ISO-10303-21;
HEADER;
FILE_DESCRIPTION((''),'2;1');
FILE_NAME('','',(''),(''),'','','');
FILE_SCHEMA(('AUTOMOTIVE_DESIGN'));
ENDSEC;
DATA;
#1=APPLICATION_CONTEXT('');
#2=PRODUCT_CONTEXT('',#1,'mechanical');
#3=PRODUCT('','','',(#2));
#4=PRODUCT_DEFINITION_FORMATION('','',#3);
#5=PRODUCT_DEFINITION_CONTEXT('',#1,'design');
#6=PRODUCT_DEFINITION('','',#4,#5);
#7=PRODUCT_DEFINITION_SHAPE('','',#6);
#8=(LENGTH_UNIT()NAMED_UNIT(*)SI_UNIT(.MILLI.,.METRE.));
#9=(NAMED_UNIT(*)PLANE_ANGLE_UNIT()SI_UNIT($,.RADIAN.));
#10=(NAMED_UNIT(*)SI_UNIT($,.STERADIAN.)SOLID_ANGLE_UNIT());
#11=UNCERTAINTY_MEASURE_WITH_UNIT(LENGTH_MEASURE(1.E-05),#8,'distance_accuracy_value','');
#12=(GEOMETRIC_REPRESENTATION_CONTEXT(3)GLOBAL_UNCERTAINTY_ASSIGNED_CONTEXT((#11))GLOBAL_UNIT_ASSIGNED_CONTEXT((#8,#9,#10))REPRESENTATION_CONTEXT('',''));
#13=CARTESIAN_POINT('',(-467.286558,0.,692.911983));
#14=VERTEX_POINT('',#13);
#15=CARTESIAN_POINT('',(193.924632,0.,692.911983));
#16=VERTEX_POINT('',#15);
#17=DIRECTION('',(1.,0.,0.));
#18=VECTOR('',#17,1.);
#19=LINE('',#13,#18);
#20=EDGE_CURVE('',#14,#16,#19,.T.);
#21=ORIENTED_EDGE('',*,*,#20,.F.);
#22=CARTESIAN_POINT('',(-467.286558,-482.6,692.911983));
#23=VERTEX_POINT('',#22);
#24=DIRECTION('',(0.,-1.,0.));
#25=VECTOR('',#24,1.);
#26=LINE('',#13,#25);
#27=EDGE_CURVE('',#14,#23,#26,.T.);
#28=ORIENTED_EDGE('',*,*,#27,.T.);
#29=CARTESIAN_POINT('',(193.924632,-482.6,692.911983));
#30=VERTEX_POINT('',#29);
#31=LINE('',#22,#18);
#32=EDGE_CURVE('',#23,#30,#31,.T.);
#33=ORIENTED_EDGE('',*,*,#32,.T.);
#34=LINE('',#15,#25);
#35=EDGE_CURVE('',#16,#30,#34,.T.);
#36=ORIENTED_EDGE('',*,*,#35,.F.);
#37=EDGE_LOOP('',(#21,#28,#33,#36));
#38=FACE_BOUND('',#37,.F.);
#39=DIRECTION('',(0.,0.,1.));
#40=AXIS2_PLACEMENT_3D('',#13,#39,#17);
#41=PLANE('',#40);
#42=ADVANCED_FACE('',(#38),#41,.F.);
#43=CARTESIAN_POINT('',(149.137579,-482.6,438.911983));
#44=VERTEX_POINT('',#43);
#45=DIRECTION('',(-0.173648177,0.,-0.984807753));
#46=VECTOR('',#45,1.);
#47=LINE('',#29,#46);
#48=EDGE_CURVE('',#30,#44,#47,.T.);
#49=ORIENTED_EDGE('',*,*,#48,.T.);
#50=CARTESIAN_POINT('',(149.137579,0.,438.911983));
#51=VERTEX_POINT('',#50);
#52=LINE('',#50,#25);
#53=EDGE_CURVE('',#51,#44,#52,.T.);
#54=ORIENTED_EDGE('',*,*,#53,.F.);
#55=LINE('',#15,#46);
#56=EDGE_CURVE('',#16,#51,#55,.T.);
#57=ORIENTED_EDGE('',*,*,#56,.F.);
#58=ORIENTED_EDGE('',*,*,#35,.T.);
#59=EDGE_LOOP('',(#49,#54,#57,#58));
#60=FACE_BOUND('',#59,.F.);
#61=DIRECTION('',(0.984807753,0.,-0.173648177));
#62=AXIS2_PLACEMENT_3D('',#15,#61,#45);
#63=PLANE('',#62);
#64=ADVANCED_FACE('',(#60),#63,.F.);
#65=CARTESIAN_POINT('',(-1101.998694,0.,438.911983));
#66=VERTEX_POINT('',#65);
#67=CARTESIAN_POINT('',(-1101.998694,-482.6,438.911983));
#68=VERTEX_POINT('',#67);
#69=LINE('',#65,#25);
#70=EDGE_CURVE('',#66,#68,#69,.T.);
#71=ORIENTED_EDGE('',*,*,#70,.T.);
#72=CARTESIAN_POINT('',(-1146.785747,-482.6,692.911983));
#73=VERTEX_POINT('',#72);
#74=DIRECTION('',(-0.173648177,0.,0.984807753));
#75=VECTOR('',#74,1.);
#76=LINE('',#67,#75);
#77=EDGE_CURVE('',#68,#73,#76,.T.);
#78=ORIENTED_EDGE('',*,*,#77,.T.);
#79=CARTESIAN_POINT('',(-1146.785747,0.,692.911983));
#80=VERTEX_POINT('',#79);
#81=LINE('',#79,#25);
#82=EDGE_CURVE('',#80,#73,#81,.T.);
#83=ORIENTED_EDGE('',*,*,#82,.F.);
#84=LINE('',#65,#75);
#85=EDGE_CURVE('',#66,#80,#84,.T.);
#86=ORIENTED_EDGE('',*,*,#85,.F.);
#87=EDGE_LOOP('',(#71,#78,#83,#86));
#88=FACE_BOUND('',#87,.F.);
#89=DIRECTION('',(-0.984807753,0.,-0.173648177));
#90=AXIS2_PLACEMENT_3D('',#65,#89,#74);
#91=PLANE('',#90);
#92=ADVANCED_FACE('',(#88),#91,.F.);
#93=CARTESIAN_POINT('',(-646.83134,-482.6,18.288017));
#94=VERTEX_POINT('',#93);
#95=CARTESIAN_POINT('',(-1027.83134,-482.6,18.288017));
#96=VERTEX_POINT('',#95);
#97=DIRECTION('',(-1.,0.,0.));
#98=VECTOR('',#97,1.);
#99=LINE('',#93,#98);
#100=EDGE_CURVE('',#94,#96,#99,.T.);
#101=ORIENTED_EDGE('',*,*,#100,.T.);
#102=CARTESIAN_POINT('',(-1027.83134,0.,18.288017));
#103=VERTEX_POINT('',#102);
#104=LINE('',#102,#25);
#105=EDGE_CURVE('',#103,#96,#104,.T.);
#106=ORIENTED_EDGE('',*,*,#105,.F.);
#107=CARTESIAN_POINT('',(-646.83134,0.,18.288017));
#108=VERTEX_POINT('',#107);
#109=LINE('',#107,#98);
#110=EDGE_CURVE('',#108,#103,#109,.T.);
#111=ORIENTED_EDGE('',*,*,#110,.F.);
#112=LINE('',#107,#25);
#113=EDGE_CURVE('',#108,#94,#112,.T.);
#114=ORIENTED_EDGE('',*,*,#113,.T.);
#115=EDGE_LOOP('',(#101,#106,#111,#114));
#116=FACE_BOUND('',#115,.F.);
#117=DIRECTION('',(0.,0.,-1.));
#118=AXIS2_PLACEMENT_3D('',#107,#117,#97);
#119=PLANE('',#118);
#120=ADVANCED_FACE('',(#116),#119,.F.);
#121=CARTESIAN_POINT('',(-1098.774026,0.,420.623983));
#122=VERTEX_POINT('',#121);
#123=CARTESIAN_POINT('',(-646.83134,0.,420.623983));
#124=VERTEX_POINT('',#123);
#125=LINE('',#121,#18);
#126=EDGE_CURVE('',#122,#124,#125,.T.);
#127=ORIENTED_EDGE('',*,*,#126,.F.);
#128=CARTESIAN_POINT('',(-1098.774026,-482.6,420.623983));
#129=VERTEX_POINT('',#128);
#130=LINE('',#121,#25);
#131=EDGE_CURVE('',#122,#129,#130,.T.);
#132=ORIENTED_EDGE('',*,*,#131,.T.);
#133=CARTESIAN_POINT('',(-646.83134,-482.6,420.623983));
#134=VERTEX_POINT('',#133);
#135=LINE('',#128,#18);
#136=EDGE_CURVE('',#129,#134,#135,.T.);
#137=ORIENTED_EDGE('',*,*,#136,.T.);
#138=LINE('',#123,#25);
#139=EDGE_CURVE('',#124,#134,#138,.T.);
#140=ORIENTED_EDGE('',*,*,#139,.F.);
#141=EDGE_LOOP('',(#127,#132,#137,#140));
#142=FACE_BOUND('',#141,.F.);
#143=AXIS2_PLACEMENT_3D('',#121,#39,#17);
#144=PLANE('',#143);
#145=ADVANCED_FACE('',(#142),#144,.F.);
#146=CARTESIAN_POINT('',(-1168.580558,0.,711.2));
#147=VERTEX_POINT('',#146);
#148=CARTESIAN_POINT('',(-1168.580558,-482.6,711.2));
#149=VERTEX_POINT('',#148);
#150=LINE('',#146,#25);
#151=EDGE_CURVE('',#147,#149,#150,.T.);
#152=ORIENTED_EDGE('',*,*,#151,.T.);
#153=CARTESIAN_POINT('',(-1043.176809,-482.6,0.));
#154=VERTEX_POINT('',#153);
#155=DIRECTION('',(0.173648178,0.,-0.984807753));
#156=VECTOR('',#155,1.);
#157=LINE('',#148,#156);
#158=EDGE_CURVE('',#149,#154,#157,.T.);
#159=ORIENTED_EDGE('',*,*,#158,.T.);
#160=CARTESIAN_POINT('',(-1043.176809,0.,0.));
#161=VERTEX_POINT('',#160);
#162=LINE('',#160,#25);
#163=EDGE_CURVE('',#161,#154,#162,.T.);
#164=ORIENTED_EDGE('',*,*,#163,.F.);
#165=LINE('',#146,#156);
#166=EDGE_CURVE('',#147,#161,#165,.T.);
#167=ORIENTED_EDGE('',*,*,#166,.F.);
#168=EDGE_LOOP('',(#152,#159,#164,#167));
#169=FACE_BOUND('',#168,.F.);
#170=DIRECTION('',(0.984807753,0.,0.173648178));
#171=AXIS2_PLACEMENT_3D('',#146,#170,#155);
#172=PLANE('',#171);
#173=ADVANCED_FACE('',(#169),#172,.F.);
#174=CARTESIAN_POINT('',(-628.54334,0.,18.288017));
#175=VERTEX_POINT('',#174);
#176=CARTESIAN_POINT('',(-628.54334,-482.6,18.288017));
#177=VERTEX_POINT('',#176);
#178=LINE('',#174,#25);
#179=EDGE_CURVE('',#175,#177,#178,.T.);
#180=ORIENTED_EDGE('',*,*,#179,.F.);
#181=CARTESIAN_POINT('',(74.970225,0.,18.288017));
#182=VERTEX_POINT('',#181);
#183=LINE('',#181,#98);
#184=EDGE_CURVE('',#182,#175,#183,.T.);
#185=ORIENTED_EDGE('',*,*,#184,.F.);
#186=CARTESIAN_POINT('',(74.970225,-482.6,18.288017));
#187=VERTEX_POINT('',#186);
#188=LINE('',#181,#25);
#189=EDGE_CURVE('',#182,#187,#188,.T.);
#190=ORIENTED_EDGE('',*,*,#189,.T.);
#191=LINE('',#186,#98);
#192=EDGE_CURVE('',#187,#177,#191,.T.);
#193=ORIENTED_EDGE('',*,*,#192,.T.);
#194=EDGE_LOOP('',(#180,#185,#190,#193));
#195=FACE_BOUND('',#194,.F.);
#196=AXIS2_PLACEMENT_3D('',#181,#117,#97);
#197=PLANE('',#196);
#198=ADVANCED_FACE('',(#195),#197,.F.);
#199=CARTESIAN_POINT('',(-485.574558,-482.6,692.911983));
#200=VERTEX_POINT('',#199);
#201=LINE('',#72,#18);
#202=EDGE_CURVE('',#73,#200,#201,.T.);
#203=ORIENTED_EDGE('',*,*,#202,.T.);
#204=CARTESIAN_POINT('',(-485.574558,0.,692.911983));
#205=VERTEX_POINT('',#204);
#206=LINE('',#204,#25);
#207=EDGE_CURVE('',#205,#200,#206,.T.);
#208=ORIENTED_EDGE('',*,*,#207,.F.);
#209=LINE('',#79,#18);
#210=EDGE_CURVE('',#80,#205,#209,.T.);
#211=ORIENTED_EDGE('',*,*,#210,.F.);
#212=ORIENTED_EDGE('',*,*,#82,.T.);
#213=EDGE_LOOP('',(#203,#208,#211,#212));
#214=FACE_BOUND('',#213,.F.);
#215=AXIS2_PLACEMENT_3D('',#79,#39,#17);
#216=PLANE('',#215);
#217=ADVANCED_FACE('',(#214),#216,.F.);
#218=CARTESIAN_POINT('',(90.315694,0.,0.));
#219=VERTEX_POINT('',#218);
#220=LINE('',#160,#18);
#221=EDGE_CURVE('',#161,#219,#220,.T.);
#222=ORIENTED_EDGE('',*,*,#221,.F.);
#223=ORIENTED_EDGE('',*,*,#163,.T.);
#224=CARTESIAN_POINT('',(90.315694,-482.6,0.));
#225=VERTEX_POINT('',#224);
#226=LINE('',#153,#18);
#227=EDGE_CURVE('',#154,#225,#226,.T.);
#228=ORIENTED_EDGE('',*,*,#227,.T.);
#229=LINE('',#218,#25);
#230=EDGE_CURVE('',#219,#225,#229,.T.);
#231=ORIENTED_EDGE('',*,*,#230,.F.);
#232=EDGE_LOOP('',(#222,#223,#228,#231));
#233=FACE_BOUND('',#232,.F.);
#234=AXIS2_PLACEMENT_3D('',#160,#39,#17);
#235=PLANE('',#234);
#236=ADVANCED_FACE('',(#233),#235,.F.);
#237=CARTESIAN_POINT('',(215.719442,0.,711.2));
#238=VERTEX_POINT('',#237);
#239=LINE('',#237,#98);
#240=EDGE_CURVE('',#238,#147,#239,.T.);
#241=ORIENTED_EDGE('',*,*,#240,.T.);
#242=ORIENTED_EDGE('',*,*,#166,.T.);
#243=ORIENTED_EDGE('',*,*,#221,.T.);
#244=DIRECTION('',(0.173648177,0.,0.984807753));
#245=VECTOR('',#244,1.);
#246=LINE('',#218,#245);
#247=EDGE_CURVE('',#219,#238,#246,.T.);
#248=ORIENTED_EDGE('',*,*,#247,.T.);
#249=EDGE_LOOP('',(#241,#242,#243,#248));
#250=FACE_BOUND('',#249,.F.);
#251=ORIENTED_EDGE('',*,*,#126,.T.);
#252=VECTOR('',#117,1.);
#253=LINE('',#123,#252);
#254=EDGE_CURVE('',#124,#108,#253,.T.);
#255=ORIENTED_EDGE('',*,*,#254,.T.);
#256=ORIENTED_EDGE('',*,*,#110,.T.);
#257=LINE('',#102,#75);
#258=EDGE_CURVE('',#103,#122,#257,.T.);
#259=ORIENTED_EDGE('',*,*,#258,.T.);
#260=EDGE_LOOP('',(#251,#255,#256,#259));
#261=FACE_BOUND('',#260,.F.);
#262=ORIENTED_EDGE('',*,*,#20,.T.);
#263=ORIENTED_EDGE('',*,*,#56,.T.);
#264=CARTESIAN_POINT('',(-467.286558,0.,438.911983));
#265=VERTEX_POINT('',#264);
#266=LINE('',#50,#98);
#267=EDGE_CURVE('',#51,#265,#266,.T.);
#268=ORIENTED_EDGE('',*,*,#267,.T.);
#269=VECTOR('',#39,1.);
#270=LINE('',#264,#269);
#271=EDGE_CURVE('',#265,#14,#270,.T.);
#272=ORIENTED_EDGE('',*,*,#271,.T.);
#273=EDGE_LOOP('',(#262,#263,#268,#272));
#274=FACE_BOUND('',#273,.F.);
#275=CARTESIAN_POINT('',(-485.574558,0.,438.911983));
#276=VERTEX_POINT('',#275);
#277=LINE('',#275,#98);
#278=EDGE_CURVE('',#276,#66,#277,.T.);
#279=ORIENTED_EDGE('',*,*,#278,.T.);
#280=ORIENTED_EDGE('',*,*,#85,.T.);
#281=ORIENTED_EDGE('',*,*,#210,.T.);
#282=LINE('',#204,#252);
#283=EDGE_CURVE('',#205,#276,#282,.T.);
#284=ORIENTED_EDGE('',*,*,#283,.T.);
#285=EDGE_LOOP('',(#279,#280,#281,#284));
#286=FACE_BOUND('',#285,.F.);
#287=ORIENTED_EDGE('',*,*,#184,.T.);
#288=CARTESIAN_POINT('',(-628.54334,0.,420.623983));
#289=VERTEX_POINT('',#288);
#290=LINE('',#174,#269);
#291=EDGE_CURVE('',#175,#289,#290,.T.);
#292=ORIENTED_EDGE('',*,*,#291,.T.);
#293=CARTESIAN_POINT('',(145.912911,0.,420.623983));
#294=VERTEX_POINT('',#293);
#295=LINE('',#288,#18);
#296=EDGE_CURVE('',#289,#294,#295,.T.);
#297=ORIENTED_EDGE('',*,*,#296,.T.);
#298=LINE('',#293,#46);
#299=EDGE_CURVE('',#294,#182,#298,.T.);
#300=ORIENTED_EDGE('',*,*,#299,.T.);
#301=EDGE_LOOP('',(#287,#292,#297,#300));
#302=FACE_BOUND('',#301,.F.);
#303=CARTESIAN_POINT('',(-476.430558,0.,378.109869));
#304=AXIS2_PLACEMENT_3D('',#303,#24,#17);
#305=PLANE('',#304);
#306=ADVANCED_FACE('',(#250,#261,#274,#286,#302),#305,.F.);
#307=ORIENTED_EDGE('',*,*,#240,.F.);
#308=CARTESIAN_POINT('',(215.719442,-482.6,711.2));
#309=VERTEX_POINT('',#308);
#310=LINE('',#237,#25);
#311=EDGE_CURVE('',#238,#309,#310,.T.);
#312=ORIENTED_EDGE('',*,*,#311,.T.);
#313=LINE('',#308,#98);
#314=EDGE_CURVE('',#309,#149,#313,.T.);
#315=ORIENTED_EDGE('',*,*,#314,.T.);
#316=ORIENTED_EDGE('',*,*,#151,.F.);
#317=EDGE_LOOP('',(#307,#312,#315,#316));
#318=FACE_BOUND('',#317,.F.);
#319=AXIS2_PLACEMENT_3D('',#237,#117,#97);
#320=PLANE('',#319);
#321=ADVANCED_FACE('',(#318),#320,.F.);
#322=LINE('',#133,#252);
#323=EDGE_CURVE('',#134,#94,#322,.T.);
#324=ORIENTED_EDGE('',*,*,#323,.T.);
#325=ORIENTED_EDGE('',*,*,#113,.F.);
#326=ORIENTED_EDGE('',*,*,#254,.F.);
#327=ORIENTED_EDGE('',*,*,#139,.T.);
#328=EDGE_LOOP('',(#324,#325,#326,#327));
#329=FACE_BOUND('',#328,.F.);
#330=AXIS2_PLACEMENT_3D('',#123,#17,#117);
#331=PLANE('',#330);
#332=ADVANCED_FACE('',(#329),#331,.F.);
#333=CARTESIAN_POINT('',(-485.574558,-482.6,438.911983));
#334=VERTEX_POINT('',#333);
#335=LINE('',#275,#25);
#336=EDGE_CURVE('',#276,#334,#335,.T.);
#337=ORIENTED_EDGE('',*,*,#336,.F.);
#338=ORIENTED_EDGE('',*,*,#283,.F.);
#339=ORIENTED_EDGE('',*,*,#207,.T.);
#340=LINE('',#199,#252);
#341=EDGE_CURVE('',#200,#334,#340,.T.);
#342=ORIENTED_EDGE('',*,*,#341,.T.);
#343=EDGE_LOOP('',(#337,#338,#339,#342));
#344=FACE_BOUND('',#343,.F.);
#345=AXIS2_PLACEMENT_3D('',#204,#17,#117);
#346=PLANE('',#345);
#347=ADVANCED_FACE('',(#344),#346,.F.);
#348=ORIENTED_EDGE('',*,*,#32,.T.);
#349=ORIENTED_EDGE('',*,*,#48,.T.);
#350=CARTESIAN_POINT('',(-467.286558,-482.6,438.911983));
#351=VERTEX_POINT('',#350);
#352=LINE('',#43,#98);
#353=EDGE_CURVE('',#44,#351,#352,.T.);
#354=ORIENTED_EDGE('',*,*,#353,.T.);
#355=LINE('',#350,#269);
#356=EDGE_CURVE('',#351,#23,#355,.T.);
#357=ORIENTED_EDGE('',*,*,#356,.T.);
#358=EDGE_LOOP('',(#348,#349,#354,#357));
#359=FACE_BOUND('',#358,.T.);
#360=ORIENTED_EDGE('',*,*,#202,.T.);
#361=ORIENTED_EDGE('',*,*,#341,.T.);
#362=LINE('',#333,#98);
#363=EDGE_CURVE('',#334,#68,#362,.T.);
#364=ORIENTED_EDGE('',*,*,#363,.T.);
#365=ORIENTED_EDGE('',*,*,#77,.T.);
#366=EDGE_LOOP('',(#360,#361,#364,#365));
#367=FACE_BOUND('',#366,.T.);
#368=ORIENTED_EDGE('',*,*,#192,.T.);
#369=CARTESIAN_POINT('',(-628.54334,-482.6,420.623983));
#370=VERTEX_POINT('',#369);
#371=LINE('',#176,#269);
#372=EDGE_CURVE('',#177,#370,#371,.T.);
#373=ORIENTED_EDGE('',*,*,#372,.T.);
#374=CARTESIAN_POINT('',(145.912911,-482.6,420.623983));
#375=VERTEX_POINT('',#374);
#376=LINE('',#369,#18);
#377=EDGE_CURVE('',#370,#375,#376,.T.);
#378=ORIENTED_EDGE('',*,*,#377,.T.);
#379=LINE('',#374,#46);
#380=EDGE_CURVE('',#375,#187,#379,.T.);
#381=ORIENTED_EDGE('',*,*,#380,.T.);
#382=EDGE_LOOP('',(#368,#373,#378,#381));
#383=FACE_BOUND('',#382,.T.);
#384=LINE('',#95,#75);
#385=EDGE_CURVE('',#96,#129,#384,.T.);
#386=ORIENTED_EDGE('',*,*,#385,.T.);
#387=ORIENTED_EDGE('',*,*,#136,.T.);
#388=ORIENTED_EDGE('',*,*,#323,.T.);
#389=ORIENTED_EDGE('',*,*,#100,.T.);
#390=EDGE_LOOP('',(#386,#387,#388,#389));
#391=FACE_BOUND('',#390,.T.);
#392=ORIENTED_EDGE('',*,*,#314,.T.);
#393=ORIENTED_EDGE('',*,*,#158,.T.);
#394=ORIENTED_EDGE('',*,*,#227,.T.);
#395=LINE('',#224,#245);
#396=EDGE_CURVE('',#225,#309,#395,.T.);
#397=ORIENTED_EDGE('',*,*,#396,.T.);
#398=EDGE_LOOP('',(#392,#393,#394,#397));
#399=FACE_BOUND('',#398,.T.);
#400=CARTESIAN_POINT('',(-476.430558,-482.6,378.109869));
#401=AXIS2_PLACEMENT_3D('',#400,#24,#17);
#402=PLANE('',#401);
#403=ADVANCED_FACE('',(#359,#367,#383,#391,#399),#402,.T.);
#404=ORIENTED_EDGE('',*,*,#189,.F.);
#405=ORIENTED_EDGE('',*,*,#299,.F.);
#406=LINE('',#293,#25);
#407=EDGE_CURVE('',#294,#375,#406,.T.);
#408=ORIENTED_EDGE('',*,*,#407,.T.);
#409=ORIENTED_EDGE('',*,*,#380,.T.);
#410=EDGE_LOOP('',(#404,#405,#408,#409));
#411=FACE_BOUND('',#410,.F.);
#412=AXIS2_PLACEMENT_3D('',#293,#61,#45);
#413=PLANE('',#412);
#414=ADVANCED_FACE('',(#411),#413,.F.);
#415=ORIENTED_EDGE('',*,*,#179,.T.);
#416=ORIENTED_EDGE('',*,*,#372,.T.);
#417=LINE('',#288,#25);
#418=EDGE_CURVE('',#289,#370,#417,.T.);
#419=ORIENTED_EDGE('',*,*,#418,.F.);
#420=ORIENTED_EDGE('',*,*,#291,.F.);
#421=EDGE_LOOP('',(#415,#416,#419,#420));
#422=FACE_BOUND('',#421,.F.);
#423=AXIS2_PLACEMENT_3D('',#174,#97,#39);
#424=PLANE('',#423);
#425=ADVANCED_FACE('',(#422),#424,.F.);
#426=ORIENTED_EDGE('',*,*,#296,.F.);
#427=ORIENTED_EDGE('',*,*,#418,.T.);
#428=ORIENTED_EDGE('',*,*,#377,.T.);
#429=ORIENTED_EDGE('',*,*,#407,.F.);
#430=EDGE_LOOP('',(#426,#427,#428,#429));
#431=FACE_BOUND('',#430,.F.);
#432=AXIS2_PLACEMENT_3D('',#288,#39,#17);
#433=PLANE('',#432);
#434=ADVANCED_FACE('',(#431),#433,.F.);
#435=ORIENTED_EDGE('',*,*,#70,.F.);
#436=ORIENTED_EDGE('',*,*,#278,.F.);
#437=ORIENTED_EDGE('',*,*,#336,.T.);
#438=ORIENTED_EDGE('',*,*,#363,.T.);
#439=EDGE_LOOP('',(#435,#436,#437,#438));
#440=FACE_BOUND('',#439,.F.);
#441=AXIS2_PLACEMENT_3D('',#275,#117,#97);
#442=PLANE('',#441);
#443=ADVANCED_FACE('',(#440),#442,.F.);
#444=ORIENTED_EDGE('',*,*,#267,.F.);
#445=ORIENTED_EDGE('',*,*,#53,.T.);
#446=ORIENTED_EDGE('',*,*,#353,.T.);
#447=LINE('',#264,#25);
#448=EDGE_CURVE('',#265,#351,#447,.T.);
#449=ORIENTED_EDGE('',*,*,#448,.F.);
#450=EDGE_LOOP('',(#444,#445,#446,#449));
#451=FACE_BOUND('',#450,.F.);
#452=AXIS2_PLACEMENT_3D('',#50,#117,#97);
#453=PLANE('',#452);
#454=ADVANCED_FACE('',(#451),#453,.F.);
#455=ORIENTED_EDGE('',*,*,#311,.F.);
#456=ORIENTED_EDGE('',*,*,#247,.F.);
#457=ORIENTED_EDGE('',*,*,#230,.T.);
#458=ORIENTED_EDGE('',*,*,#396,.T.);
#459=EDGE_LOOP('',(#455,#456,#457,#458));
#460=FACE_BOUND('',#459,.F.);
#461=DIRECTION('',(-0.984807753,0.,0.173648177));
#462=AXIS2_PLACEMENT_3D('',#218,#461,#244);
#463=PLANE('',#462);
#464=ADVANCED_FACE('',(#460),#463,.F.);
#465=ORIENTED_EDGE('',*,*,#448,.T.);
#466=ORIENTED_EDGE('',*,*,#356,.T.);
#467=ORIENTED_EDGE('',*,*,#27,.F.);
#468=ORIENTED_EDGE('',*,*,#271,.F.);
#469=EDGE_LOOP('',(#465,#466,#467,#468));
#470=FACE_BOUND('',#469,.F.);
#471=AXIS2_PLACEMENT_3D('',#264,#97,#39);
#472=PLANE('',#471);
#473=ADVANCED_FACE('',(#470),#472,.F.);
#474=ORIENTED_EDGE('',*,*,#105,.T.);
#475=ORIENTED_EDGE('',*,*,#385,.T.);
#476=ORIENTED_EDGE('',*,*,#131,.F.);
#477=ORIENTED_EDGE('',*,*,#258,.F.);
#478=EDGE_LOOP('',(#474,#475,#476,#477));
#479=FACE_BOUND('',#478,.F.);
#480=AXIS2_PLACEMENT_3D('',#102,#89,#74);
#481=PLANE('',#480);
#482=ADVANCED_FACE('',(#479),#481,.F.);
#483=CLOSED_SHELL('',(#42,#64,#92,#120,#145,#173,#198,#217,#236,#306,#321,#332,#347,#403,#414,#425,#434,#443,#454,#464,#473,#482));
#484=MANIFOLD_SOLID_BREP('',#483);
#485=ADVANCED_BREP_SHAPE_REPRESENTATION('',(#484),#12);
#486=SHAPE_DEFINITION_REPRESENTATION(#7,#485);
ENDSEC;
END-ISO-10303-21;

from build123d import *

# Parameters (mm, degrees)
F1_DEPTH = 482.6


with BuildPart() as f1:
    # F0 (on Front) → F1 (new body)
    with BuildSketch(Plane.XZ):
        Polygon((-1168.580558, 711.2), (-1043.176809, 0), (90.315694, 0), (215.719442, 711.2), align=None)
        Polygon((-646.83134, 18.288017), (-1027.83134, 18.288017), (-1098.774026, 420.623983), (-646.83134, 420.623983), align=None, mode=Mode.SUBTRACT)
        Polygon((145.912911, 420.623983), (74.970225, 18.288017), (-628.54334, 18.288017), (-628.54334, 420.623983), align=None, mode=Mode.SUBTRACT)
        Polygon((-1101.998694, 438.911983), (-1146.785747, 692.911983), (-485.574558, 692.911983), (-485.574558, 438.911983), align=None, mode=Mode.SUBTRACT)
        Polygon((-467.286558, 692.911983), (193.924632, 692.911983), (149.137579, 438.911983), (-467.286558, 438.911983), align=None, mode=Mode.SUBTRACT)
    extrude(amount=F1_DEPTH)


solid = f1.part
